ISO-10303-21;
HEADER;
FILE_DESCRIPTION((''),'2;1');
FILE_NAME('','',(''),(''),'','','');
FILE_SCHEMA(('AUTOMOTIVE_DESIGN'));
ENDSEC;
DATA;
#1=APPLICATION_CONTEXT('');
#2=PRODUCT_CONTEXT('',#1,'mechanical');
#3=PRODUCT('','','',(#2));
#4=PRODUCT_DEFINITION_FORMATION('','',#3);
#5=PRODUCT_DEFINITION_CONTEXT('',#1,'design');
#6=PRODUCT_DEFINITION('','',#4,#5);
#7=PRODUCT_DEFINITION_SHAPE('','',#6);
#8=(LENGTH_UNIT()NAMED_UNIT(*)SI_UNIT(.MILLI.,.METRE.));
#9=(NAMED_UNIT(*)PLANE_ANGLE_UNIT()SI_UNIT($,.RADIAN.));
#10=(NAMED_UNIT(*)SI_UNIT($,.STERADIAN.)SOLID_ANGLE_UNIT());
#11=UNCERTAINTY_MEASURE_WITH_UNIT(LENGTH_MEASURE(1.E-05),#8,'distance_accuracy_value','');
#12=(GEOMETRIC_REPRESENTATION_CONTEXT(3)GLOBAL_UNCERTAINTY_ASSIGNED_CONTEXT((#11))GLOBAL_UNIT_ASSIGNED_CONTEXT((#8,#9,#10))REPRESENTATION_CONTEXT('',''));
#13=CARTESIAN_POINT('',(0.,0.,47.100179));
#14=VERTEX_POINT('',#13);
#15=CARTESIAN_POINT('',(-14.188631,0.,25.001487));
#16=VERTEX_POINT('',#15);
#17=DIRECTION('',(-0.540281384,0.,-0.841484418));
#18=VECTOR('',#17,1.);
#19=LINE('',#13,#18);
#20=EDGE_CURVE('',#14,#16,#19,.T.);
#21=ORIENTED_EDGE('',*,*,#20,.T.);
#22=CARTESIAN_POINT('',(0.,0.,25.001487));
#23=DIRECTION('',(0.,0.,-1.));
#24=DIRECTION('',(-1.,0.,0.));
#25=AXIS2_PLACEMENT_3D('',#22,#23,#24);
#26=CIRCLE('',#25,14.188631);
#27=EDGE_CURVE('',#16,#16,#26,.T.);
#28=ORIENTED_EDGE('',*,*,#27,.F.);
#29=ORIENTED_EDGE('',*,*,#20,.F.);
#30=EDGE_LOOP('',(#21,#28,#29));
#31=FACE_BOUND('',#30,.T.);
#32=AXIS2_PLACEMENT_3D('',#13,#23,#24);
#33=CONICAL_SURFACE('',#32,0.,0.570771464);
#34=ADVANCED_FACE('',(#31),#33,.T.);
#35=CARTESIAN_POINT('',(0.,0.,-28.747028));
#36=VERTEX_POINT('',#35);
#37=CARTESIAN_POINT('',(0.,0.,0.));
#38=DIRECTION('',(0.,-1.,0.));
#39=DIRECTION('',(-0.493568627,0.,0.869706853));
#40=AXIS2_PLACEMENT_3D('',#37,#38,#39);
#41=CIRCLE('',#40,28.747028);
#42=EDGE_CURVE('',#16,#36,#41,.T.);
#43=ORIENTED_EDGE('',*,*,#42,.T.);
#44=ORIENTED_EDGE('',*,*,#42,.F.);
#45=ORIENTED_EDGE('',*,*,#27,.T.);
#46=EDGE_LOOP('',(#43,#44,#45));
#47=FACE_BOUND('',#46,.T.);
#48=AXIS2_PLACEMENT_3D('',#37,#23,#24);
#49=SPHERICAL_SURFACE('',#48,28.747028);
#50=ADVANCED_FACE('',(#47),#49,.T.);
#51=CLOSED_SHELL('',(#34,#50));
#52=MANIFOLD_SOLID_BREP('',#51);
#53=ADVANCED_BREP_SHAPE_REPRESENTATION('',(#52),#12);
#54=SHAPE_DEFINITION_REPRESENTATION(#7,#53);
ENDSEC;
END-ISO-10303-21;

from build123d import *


with BuildPart() as f1:
    # F0 (on Front) → F1 (revolve)
    with BuildSketch(Plane.XZ):
        with BuildLine():
            ThreePointArc((-14.188631, 25.001487), (-7.337342, 27.794874), (0, 28.747028))
            Line((0, 28.747028), (0, 47.100179))
            Line((0, 47.100179), (-14.188631, 25.001487))
        make_face()
        with BuildLine():
            Line((0, 25.001487), (0, 28.747028))
            ThreePointArc((0, 28.747028), (-7.337342, 27.794874), (-14.188631, 25.001487))
            Line((-14.188631, 25.001487), (0, 25.001487))
        make_face()
        with BuildLine():
            Line((0, 25.001487), (-14.188631, 25.001487))
            ThreePointArc((-14.188631, 25.001487), (-27.794874, -7.337342), (0, -28.747028))
            Line((0, -28.747028), (0, 25.001487))
        make_face()
    revolve(axis=Axis((0, 0, 9.082938), (0, 0, -1)))


solid = f1.part
